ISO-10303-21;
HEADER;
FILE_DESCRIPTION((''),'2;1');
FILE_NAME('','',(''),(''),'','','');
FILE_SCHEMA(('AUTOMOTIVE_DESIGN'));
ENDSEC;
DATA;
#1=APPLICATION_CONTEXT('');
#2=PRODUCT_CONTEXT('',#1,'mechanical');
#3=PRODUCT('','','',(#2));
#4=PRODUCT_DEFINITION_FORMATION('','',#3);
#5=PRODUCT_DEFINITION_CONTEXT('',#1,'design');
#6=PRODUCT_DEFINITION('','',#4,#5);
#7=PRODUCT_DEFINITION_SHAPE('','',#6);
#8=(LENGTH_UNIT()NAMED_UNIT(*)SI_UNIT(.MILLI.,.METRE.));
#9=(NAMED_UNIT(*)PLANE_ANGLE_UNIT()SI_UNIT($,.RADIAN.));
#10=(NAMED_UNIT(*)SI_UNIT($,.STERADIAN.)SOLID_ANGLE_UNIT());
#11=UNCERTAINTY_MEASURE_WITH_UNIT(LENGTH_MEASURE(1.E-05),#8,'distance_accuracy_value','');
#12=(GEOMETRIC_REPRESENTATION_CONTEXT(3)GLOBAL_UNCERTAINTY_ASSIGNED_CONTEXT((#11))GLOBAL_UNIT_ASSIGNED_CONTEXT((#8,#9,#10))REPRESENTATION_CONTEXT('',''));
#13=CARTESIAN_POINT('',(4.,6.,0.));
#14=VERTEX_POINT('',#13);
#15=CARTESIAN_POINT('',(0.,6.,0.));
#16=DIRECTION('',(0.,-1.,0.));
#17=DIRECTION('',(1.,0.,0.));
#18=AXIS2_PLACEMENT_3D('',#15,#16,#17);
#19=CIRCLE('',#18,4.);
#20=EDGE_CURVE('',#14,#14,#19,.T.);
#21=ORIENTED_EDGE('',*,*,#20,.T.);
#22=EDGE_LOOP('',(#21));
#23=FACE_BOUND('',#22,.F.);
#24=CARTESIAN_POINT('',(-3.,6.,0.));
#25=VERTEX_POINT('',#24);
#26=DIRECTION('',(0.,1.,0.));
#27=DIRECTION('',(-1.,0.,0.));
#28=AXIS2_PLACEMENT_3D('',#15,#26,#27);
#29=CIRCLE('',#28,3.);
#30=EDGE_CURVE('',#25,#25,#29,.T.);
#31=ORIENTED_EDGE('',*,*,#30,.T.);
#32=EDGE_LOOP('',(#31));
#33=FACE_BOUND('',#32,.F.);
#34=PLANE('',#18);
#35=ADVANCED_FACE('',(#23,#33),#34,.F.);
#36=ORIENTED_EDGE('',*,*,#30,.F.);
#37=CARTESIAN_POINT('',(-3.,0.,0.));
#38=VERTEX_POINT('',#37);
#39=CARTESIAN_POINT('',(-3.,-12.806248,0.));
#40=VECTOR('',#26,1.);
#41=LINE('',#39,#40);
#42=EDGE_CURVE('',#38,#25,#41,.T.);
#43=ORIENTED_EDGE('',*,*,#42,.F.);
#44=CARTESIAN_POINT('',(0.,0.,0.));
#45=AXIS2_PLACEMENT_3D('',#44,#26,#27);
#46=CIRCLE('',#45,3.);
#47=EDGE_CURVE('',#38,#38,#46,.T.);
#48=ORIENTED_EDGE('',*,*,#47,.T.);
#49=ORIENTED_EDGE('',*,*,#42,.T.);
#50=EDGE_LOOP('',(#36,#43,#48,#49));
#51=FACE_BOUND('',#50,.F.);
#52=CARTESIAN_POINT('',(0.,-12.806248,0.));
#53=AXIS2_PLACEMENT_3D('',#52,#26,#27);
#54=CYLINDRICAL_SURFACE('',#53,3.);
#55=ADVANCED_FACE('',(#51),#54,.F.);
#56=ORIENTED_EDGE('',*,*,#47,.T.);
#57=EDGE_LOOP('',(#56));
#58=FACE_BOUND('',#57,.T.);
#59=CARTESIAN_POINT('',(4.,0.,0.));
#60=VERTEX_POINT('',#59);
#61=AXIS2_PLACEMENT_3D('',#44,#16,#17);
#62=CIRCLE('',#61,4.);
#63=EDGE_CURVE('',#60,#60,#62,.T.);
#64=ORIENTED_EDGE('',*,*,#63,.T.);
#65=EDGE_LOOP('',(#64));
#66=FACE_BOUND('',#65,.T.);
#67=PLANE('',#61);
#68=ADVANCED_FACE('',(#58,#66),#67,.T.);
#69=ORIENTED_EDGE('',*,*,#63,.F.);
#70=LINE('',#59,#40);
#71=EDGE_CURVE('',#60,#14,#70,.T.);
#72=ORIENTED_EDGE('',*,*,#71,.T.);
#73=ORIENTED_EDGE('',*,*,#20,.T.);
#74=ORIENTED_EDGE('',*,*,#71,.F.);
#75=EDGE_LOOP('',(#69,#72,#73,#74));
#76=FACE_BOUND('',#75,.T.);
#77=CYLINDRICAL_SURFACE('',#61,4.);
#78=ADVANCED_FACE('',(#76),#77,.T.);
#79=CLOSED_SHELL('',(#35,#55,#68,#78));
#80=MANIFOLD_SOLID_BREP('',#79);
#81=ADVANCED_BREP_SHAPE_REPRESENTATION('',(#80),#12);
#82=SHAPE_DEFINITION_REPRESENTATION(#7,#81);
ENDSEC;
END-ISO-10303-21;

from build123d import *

# Parameters (mm, degrees)
F0_R     = 4
F1_DEPTH = 6
F2_D     = 6


with BuildPart() as f1:
    # F0 (on Front) → F1 (new body)
    with BuildSketch(Plane.XZ):
        Circle(F0_R)
    extrude(amount=-F1_DEPTH)

    # F2 (through all)
    with Locations(Plane.XZ):
        with Locations((0, 0)):
            Hole(F2_D / 2)


solid = f1.part
